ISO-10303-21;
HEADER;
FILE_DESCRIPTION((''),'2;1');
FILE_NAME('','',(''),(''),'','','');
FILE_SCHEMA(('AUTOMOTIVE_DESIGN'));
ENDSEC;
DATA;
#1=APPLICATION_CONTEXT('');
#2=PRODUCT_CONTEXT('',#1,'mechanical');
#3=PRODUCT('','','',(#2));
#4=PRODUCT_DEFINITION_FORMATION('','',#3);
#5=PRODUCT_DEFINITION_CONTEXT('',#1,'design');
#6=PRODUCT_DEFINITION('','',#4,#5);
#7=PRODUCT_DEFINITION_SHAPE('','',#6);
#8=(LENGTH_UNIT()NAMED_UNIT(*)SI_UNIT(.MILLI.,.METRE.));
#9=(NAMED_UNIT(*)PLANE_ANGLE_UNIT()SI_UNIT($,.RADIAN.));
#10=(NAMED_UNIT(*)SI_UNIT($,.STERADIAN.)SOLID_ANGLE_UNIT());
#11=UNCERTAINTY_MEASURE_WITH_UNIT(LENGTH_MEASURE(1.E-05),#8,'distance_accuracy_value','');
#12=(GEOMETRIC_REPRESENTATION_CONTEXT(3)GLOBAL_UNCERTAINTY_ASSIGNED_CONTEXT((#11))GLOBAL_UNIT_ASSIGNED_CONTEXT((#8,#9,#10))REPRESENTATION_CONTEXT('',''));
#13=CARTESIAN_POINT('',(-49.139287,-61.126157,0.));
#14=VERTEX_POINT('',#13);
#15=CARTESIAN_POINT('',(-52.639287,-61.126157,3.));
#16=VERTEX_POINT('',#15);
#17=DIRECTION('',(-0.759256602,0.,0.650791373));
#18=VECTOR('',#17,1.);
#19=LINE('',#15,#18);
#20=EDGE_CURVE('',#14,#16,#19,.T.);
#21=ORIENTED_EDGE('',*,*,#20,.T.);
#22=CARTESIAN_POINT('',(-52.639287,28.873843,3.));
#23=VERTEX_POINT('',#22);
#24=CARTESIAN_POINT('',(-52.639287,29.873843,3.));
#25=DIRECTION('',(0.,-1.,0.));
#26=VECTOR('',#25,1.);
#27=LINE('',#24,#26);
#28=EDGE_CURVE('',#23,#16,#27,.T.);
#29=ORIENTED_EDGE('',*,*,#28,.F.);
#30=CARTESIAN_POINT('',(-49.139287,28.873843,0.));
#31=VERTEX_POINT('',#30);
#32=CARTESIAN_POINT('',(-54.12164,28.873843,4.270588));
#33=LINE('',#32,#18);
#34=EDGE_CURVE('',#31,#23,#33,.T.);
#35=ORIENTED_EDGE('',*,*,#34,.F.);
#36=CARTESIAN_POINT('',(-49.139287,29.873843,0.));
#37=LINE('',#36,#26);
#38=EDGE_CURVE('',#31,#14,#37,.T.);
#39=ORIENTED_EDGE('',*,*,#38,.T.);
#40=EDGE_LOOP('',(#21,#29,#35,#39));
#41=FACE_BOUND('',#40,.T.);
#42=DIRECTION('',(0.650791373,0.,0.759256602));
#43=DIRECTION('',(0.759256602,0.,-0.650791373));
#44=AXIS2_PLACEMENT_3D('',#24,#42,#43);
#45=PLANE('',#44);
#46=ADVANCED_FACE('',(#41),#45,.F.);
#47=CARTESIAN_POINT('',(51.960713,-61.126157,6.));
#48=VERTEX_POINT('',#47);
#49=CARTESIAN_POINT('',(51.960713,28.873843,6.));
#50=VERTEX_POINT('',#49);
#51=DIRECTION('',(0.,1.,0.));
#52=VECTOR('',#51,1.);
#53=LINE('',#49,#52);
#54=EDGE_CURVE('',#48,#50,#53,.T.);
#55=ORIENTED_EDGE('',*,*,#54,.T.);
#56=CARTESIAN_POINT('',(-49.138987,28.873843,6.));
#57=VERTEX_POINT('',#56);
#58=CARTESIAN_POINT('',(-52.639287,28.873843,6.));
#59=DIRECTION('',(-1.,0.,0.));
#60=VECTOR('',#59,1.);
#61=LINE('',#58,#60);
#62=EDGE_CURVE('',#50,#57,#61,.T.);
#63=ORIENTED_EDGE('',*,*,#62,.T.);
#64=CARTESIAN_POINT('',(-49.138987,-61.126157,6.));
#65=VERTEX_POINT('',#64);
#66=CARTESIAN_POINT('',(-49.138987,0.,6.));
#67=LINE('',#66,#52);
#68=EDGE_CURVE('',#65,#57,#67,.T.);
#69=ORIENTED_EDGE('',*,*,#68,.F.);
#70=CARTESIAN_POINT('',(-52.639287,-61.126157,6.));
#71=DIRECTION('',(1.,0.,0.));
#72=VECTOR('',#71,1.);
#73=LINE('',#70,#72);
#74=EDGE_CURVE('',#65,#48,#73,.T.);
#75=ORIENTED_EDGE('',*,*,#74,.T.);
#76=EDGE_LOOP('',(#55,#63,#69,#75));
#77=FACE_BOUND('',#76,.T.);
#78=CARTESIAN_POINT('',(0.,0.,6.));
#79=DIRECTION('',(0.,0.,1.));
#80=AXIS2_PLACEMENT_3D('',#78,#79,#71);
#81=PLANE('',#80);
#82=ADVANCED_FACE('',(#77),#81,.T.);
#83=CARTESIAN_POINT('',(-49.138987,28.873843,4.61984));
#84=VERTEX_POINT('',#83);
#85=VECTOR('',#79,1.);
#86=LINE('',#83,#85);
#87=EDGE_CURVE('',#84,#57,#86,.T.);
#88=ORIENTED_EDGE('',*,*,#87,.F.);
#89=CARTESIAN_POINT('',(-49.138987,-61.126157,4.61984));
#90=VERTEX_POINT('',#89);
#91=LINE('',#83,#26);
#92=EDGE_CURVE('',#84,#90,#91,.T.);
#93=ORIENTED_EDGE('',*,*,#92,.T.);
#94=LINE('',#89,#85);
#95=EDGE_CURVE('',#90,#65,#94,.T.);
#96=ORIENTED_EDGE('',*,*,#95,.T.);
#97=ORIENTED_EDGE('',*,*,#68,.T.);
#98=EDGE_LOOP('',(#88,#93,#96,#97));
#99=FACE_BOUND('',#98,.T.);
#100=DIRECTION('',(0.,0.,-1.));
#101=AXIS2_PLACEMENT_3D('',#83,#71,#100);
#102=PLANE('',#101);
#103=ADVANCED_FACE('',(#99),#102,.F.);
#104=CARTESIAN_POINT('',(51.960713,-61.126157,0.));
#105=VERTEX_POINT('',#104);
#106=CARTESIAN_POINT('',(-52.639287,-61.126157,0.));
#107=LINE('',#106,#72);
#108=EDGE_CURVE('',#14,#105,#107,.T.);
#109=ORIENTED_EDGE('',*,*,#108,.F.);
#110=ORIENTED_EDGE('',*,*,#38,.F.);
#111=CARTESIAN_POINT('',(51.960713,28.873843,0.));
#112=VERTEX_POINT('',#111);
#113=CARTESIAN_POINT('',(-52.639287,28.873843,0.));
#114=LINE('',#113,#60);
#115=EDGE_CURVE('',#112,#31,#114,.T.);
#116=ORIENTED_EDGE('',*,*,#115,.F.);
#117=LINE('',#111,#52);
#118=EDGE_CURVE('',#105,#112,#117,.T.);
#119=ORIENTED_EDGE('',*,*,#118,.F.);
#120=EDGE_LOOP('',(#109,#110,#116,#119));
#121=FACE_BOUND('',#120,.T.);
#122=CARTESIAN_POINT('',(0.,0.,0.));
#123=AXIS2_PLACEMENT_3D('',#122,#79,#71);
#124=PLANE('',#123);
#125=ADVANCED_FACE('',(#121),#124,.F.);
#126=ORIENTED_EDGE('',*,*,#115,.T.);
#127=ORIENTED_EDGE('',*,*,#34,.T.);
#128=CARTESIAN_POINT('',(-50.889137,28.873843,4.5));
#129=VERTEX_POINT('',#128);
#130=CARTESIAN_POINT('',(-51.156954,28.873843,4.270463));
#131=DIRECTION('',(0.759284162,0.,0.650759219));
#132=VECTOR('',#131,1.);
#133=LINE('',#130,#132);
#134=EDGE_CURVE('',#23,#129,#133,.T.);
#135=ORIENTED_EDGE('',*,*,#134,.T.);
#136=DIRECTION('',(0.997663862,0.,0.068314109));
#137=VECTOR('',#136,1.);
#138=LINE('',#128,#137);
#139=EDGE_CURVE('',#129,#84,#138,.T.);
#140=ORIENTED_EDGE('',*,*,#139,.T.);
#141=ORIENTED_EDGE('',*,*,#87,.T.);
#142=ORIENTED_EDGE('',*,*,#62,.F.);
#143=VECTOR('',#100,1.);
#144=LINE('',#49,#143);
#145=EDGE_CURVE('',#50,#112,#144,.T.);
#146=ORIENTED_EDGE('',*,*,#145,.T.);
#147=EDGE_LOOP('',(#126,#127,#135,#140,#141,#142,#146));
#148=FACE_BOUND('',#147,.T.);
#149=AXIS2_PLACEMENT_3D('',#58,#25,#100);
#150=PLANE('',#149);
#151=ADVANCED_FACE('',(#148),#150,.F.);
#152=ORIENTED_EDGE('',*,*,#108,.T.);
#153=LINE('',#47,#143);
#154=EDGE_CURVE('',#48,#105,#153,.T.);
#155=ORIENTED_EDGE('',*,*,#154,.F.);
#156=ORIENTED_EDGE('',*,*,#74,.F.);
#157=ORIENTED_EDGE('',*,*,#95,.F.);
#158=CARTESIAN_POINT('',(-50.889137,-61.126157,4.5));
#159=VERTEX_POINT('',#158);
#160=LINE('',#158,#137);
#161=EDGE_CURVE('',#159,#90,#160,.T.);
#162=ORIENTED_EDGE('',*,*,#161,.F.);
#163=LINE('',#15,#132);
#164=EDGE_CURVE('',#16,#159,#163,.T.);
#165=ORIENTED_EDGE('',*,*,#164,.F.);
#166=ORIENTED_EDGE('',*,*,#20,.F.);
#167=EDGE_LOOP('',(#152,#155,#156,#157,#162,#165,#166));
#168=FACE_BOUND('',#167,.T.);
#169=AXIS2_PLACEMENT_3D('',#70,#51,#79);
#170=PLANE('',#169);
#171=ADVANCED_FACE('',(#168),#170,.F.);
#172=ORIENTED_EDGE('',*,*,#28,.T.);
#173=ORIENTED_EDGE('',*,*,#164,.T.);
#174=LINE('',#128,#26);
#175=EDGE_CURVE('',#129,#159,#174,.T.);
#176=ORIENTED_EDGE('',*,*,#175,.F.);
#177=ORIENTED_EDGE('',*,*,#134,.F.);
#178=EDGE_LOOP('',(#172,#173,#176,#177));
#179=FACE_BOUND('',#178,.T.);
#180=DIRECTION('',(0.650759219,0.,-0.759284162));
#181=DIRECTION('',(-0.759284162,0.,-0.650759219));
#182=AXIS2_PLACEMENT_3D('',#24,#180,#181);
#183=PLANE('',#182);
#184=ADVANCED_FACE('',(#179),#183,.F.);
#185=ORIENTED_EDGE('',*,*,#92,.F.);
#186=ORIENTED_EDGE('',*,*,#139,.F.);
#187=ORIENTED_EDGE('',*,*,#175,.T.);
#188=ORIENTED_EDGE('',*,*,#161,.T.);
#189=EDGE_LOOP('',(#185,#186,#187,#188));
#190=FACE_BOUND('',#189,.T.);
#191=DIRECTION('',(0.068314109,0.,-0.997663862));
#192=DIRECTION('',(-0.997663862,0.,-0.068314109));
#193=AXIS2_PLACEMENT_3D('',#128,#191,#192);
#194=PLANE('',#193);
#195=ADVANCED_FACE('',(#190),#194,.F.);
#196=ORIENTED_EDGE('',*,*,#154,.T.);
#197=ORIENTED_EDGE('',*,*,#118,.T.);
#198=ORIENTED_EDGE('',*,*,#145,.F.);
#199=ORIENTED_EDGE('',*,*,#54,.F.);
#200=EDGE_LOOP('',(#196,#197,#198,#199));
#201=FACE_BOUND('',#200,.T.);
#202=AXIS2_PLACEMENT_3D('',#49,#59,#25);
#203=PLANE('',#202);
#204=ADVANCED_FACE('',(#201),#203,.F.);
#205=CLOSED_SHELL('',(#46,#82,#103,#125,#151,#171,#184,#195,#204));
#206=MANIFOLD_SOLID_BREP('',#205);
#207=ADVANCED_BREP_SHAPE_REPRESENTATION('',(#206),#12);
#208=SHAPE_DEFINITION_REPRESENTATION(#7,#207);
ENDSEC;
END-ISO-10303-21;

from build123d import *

# Parameters (mm, degrees)
ESQUISSE1_W             = 104.6
ESQUISSE1_H             = 90
BOSS_EXTRU_3_DEPTH      = 6
ENL_V_MAT_EXTRU_1_DEPTH = 91
ENL_V_MAT_EXTRU_2_DEPTH = 91
ENL_V_MAT_EXTRU_4_DEPTH = 90


with BuildPart() as part:
    # Esquisse1 → Boss.-Extru.3 (new body)
    with BuildSketch(Plane.XY):
        with Locations((-0.339287382, -16.126157407)):
            Rectangle(ESQUISSE1_W, ESQUISSE1_H)
    extrude(amount=BOSS_EXTRU_3_DEPTH)

    # Esquisse4 → Enlèv. mat.-Extru.1 (cut)
    with BuildSketch(Plane.XZ.offset(61.126157407)):
        Polygon((-49.138987395, 6), (-52.639287382, 6), (-52.639287382, 3), align=None)
    extrude(amount=-ENL_V_MAT_EXTRU_1_DEPTH, mode=Mode.SUBTRACT)

    # Esquisse5 → Enlèv. mat.-Extru.2 (cut)
    with BuildSketch(Plane.XZ.offset(61.126157407)):
        Polygon((-52.639287382, 3), (-49.139287382, 0), (-52.639287382, 0), align=None)
    extrude(amount=-ENL_V_MAT_EXTRU_2_DEPTH, mode=Mode.SUBTRACT)

    # Esquisse7 → Enlèv. mat.-Extru.4 (cut)
    with BuildSketch(Plane(origin=(0, -61.126157407, 0), x_dir=(-1, 0, 0), z_dir=(0, -1, 0))):
        Polygon((49.138987395, -6), (50.889137389, -4.5), (49.138987395, -4.6198399), align=None)
    extrude(amount=-ENL_V_MAT_EXTRU_4_DEPTH, mode=Mode.SUBTRACT)


solid = part.part
